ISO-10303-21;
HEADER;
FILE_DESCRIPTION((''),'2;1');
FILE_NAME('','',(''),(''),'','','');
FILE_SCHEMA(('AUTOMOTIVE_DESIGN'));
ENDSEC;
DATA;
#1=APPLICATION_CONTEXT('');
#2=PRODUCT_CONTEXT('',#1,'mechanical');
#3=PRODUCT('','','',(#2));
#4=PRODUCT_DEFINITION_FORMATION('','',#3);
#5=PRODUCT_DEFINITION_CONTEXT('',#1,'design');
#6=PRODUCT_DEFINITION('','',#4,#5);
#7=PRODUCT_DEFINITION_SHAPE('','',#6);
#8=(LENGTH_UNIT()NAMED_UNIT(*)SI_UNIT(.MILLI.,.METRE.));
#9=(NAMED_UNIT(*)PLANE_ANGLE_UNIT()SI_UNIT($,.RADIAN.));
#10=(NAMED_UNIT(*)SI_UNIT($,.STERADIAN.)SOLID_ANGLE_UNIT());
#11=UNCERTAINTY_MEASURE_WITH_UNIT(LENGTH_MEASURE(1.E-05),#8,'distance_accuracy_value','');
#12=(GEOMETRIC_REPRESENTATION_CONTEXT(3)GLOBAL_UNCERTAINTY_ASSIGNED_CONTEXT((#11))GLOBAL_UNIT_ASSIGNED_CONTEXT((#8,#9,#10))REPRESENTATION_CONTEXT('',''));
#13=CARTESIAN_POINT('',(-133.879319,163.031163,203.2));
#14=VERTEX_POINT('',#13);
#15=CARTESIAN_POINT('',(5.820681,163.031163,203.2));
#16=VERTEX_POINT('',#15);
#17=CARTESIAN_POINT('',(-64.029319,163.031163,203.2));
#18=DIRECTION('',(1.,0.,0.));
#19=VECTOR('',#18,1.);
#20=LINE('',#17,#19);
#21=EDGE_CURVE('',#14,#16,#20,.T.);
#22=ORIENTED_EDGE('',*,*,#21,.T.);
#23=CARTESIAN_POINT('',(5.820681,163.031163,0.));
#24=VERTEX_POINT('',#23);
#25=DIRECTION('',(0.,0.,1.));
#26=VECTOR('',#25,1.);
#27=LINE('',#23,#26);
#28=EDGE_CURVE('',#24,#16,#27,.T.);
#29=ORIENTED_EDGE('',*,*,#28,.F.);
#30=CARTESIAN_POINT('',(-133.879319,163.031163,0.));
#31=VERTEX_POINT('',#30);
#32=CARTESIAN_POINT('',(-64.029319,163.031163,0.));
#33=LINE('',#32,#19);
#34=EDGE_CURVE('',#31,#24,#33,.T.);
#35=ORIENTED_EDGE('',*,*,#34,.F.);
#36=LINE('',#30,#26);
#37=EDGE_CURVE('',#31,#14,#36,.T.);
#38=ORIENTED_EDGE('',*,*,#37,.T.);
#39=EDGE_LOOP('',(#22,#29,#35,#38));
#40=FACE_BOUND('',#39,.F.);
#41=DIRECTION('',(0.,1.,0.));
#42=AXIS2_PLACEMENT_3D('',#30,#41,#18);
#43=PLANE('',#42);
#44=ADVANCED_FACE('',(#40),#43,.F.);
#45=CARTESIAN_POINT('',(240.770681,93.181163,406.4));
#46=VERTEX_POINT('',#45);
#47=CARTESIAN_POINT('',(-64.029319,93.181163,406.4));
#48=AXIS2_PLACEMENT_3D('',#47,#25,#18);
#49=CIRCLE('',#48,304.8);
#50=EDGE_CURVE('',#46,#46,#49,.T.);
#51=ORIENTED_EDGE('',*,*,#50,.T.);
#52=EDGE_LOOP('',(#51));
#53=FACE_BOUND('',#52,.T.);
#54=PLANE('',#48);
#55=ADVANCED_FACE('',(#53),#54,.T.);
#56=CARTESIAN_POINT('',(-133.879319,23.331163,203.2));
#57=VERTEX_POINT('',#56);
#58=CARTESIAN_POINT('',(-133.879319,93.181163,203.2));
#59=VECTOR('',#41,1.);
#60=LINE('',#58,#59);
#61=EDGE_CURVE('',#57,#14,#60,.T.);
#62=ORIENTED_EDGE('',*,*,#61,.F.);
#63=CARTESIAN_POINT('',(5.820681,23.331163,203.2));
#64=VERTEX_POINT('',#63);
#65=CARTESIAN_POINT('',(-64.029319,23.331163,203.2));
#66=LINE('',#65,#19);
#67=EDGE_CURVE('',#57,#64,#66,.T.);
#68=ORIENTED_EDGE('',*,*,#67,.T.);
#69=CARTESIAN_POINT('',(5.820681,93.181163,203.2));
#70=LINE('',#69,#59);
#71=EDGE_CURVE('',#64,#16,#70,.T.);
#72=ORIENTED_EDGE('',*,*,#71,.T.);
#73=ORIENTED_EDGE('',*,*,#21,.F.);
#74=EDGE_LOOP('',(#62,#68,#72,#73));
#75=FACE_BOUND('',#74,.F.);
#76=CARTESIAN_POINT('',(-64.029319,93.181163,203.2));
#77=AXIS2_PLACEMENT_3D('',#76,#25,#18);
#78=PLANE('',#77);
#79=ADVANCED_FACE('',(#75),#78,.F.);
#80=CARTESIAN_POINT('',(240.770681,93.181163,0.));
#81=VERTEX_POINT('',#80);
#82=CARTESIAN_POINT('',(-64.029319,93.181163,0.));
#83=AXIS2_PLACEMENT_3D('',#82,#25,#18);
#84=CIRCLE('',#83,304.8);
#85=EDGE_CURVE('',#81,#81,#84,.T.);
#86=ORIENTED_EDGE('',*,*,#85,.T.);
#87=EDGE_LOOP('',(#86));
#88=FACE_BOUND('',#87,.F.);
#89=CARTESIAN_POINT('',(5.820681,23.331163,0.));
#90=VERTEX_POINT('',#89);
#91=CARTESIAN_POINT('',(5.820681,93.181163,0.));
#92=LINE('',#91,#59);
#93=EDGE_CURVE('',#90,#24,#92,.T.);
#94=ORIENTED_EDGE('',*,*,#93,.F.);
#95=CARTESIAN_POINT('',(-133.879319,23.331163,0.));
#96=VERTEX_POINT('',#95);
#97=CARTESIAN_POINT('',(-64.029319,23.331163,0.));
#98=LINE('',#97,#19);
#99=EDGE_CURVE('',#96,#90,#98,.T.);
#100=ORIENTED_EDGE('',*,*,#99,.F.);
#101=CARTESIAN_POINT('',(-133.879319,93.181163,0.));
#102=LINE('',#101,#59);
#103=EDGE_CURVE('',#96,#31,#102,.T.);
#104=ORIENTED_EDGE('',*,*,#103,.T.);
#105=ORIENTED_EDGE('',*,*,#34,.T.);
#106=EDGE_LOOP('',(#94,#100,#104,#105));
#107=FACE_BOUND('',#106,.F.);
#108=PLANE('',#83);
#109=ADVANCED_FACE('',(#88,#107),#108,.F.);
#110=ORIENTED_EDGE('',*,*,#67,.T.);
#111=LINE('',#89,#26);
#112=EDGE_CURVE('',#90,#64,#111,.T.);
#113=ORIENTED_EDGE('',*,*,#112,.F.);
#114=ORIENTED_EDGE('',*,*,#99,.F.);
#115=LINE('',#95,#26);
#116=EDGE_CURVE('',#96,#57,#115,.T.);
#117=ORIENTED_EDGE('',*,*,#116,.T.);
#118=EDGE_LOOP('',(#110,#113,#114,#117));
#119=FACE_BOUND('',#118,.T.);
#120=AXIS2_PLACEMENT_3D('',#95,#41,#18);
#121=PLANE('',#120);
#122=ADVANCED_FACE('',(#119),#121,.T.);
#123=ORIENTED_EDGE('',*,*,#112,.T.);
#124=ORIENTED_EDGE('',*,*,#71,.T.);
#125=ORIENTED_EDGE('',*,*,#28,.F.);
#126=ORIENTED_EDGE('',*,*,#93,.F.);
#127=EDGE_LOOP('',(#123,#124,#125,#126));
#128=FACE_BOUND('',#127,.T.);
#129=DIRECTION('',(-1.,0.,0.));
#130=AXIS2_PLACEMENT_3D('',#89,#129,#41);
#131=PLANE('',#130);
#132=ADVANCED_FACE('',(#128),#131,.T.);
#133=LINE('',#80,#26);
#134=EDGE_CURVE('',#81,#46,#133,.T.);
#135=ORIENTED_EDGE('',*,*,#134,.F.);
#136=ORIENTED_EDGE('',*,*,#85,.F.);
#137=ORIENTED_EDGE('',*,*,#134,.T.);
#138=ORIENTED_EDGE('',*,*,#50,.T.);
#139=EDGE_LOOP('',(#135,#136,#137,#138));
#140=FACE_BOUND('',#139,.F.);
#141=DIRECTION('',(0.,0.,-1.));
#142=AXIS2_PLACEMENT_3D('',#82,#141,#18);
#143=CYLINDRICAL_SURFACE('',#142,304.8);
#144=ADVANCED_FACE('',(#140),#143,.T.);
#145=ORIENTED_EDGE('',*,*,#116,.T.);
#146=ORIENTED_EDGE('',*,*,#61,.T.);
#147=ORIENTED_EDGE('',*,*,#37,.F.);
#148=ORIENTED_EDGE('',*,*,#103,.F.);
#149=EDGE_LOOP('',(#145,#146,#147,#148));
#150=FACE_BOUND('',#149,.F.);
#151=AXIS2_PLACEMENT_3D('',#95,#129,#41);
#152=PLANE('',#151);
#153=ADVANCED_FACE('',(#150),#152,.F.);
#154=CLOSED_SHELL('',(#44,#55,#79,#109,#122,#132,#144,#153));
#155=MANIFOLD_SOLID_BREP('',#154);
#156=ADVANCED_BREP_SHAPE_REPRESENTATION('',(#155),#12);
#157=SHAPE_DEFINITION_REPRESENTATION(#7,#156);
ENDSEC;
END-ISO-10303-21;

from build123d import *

# Parameters (mm, degrees)
F0_R     = 304.8
F0_W     = 139.7
F0_H     = 139.7
F1_DEPTH = 406.4
F2_W     = 139.7
F2_H     = 139.7
F3_DEPTH = 203.2


with BuildPart() as f1:
    # F0 (on Top) → F1 (new body)
    with BuildSketch(Plane.XY):
        with Locations((-64.029319, 93.181163)):
            Circle(F0_R)
        with Locations((-64.029319, 93.181163)):
            Rectangle(F0_W, F0_H, mode=Mode.SUBTRACT)
    extrude(amount=F1_DEPTH)

    # F2 (on face) → F3 (join)
    with BuildSketch(Plane.XY.offset(406.4)):
        with Locations((-64.029319, 93.181163)):
            Rectangle(F2_W, F2_H)
    extrude(amount=-F3_DEPTH)


solid = f1.part
